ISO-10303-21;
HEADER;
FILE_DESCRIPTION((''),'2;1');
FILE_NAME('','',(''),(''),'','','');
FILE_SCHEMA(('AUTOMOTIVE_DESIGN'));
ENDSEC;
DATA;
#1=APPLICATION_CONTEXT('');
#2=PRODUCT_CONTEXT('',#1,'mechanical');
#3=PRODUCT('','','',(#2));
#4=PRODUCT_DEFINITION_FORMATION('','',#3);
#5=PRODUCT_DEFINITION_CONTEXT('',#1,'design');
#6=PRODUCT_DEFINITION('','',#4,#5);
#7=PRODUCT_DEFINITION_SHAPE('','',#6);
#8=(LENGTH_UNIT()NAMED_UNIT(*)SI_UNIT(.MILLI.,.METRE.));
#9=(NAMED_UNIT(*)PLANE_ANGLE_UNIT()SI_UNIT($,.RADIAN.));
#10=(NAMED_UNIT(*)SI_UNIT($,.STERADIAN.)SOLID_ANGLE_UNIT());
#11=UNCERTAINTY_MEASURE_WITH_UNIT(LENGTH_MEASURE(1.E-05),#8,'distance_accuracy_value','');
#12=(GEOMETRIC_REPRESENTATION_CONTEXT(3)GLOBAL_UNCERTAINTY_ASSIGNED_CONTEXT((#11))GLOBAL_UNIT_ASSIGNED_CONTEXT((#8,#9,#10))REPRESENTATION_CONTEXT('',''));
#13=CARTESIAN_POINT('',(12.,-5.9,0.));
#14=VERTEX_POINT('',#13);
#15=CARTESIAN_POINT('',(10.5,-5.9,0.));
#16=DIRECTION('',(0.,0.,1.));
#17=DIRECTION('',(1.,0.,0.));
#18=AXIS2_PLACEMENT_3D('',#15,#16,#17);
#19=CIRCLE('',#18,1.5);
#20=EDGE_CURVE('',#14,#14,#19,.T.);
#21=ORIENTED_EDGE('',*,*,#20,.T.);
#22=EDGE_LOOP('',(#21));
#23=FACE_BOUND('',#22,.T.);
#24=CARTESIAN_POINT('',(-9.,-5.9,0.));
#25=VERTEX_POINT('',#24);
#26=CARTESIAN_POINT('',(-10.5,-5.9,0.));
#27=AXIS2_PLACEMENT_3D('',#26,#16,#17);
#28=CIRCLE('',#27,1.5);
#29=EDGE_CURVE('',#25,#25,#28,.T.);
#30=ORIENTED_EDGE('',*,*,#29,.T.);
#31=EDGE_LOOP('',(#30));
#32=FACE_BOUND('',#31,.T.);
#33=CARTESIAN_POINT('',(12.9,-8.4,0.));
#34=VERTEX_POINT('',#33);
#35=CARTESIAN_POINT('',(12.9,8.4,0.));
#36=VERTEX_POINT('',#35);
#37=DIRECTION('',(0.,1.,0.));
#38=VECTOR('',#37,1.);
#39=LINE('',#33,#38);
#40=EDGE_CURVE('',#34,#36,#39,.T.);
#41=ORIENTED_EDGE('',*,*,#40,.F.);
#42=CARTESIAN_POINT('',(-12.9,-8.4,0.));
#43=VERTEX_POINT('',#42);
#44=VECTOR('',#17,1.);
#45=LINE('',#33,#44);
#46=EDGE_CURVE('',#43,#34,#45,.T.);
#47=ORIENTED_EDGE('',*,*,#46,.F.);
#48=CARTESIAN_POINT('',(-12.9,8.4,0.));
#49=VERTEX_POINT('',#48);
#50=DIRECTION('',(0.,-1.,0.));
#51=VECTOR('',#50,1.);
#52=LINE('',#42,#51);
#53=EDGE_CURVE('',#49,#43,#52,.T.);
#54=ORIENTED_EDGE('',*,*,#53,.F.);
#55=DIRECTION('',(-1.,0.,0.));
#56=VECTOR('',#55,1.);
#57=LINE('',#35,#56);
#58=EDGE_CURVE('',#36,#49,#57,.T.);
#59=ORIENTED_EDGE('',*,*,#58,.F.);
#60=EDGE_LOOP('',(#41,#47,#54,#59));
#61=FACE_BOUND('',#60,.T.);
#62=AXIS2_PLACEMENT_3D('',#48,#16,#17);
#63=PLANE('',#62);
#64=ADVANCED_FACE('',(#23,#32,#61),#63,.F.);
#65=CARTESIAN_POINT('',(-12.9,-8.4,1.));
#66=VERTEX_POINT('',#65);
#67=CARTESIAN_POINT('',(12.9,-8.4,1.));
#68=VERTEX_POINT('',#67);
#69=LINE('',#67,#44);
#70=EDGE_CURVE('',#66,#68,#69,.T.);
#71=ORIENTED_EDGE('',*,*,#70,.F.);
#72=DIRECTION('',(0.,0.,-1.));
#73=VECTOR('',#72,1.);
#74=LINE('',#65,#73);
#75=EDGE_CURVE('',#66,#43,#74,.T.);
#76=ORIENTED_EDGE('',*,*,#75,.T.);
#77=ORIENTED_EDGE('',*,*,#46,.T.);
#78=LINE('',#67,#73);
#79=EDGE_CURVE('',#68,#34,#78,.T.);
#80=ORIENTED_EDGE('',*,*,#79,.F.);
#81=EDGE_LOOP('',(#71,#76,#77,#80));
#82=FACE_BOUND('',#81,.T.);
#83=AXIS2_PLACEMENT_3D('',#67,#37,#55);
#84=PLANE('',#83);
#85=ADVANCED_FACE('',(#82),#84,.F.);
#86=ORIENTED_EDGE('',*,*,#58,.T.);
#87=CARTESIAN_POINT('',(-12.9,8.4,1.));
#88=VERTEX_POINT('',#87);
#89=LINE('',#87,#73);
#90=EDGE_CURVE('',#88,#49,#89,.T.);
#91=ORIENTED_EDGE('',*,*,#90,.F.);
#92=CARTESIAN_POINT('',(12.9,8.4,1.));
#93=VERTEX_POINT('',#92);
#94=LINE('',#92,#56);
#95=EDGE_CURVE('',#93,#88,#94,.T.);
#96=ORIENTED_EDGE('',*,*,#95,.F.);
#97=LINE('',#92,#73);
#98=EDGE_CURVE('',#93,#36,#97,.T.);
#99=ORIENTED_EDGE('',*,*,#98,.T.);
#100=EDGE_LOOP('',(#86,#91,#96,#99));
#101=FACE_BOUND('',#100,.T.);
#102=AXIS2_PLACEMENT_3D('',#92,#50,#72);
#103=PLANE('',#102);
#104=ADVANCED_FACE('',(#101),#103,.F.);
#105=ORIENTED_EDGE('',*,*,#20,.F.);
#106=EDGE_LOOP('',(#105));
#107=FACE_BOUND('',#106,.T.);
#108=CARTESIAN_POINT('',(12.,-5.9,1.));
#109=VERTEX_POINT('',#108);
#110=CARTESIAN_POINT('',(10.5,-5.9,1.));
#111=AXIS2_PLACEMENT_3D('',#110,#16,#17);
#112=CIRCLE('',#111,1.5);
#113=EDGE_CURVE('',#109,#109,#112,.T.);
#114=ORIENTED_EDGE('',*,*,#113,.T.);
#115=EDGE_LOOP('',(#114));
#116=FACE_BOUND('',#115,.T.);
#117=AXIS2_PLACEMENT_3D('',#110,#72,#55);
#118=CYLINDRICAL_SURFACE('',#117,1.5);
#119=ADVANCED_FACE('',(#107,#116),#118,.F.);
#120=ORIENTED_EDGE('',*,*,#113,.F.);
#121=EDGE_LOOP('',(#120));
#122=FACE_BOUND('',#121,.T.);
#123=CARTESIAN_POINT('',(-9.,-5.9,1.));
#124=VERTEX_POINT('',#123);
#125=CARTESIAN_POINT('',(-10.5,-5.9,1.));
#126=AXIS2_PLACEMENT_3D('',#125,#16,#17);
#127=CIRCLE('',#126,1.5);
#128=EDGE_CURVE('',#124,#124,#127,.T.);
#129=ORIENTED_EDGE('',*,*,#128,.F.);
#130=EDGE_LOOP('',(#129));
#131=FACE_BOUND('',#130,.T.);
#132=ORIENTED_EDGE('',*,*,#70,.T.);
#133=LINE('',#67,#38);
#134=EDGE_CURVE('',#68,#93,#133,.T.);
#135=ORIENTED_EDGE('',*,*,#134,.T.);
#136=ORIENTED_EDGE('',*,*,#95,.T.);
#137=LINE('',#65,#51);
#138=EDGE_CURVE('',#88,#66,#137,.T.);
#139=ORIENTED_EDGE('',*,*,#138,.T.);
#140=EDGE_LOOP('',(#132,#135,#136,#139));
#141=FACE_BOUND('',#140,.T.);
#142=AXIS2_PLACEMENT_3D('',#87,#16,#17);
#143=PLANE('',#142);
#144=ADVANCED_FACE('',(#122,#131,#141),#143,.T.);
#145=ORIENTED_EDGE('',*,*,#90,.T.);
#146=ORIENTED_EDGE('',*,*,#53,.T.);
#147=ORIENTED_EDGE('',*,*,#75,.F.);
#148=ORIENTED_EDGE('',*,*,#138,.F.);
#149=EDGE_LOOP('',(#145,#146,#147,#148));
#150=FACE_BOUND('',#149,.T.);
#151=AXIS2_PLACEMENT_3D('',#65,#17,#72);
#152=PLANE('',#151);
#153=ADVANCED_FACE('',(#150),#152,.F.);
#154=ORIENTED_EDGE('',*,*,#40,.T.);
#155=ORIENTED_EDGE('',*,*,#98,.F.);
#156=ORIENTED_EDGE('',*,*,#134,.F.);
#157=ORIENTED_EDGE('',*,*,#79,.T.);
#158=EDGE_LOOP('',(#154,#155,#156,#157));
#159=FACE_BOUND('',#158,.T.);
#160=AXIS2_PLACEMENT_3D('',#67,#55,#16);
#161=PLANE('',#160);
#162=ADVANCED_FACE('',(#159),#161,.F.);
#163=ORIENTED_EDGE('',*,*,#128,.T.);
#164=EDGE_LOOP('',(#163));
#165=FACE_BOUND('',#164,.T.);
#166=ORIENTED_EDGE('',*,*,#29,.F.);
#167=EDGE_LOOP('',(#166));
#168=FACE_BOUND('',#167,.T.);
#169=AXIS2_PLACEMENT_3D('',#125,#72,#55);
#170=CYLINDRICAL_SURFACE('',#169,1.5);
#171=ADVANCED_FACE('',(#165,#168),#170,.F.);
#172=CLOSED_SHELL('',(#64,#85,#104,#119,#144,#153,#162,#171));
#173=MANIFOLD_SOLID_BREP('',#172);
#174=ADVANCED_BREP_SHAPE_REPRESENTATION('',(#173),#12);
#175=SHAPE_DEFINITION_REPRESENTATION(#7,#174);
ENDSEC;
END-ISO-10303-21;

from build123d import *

# Parameters (mm, degrees)
CROQUIS1_W              = 25.8
CROQUIS1_H              = 16.8
CROQUIS1_R              = 1.5
SALIENTE_EXTRUIR1_DEPTH = 1


with BuildPart() as part:
    # Croquis1 → Saliente-Extruir1 (new body)
    with BuildSketch(Plane.XY):
        Rectangle(CROQUIS1_W, CROQUIS1_H)
        with Locations((-10.5, -5.9)):
            Circle(CROQUIS1_R, mode=Mode.SUBTRACT)
        with Locations((10.5, -5.9)):
            Circle(CROQUIS1_R, mode=Mode.SUBTRACT)
    extrude(amount=SALIENTE_EXTRUIR1_DEPTH)


solid = part.part
